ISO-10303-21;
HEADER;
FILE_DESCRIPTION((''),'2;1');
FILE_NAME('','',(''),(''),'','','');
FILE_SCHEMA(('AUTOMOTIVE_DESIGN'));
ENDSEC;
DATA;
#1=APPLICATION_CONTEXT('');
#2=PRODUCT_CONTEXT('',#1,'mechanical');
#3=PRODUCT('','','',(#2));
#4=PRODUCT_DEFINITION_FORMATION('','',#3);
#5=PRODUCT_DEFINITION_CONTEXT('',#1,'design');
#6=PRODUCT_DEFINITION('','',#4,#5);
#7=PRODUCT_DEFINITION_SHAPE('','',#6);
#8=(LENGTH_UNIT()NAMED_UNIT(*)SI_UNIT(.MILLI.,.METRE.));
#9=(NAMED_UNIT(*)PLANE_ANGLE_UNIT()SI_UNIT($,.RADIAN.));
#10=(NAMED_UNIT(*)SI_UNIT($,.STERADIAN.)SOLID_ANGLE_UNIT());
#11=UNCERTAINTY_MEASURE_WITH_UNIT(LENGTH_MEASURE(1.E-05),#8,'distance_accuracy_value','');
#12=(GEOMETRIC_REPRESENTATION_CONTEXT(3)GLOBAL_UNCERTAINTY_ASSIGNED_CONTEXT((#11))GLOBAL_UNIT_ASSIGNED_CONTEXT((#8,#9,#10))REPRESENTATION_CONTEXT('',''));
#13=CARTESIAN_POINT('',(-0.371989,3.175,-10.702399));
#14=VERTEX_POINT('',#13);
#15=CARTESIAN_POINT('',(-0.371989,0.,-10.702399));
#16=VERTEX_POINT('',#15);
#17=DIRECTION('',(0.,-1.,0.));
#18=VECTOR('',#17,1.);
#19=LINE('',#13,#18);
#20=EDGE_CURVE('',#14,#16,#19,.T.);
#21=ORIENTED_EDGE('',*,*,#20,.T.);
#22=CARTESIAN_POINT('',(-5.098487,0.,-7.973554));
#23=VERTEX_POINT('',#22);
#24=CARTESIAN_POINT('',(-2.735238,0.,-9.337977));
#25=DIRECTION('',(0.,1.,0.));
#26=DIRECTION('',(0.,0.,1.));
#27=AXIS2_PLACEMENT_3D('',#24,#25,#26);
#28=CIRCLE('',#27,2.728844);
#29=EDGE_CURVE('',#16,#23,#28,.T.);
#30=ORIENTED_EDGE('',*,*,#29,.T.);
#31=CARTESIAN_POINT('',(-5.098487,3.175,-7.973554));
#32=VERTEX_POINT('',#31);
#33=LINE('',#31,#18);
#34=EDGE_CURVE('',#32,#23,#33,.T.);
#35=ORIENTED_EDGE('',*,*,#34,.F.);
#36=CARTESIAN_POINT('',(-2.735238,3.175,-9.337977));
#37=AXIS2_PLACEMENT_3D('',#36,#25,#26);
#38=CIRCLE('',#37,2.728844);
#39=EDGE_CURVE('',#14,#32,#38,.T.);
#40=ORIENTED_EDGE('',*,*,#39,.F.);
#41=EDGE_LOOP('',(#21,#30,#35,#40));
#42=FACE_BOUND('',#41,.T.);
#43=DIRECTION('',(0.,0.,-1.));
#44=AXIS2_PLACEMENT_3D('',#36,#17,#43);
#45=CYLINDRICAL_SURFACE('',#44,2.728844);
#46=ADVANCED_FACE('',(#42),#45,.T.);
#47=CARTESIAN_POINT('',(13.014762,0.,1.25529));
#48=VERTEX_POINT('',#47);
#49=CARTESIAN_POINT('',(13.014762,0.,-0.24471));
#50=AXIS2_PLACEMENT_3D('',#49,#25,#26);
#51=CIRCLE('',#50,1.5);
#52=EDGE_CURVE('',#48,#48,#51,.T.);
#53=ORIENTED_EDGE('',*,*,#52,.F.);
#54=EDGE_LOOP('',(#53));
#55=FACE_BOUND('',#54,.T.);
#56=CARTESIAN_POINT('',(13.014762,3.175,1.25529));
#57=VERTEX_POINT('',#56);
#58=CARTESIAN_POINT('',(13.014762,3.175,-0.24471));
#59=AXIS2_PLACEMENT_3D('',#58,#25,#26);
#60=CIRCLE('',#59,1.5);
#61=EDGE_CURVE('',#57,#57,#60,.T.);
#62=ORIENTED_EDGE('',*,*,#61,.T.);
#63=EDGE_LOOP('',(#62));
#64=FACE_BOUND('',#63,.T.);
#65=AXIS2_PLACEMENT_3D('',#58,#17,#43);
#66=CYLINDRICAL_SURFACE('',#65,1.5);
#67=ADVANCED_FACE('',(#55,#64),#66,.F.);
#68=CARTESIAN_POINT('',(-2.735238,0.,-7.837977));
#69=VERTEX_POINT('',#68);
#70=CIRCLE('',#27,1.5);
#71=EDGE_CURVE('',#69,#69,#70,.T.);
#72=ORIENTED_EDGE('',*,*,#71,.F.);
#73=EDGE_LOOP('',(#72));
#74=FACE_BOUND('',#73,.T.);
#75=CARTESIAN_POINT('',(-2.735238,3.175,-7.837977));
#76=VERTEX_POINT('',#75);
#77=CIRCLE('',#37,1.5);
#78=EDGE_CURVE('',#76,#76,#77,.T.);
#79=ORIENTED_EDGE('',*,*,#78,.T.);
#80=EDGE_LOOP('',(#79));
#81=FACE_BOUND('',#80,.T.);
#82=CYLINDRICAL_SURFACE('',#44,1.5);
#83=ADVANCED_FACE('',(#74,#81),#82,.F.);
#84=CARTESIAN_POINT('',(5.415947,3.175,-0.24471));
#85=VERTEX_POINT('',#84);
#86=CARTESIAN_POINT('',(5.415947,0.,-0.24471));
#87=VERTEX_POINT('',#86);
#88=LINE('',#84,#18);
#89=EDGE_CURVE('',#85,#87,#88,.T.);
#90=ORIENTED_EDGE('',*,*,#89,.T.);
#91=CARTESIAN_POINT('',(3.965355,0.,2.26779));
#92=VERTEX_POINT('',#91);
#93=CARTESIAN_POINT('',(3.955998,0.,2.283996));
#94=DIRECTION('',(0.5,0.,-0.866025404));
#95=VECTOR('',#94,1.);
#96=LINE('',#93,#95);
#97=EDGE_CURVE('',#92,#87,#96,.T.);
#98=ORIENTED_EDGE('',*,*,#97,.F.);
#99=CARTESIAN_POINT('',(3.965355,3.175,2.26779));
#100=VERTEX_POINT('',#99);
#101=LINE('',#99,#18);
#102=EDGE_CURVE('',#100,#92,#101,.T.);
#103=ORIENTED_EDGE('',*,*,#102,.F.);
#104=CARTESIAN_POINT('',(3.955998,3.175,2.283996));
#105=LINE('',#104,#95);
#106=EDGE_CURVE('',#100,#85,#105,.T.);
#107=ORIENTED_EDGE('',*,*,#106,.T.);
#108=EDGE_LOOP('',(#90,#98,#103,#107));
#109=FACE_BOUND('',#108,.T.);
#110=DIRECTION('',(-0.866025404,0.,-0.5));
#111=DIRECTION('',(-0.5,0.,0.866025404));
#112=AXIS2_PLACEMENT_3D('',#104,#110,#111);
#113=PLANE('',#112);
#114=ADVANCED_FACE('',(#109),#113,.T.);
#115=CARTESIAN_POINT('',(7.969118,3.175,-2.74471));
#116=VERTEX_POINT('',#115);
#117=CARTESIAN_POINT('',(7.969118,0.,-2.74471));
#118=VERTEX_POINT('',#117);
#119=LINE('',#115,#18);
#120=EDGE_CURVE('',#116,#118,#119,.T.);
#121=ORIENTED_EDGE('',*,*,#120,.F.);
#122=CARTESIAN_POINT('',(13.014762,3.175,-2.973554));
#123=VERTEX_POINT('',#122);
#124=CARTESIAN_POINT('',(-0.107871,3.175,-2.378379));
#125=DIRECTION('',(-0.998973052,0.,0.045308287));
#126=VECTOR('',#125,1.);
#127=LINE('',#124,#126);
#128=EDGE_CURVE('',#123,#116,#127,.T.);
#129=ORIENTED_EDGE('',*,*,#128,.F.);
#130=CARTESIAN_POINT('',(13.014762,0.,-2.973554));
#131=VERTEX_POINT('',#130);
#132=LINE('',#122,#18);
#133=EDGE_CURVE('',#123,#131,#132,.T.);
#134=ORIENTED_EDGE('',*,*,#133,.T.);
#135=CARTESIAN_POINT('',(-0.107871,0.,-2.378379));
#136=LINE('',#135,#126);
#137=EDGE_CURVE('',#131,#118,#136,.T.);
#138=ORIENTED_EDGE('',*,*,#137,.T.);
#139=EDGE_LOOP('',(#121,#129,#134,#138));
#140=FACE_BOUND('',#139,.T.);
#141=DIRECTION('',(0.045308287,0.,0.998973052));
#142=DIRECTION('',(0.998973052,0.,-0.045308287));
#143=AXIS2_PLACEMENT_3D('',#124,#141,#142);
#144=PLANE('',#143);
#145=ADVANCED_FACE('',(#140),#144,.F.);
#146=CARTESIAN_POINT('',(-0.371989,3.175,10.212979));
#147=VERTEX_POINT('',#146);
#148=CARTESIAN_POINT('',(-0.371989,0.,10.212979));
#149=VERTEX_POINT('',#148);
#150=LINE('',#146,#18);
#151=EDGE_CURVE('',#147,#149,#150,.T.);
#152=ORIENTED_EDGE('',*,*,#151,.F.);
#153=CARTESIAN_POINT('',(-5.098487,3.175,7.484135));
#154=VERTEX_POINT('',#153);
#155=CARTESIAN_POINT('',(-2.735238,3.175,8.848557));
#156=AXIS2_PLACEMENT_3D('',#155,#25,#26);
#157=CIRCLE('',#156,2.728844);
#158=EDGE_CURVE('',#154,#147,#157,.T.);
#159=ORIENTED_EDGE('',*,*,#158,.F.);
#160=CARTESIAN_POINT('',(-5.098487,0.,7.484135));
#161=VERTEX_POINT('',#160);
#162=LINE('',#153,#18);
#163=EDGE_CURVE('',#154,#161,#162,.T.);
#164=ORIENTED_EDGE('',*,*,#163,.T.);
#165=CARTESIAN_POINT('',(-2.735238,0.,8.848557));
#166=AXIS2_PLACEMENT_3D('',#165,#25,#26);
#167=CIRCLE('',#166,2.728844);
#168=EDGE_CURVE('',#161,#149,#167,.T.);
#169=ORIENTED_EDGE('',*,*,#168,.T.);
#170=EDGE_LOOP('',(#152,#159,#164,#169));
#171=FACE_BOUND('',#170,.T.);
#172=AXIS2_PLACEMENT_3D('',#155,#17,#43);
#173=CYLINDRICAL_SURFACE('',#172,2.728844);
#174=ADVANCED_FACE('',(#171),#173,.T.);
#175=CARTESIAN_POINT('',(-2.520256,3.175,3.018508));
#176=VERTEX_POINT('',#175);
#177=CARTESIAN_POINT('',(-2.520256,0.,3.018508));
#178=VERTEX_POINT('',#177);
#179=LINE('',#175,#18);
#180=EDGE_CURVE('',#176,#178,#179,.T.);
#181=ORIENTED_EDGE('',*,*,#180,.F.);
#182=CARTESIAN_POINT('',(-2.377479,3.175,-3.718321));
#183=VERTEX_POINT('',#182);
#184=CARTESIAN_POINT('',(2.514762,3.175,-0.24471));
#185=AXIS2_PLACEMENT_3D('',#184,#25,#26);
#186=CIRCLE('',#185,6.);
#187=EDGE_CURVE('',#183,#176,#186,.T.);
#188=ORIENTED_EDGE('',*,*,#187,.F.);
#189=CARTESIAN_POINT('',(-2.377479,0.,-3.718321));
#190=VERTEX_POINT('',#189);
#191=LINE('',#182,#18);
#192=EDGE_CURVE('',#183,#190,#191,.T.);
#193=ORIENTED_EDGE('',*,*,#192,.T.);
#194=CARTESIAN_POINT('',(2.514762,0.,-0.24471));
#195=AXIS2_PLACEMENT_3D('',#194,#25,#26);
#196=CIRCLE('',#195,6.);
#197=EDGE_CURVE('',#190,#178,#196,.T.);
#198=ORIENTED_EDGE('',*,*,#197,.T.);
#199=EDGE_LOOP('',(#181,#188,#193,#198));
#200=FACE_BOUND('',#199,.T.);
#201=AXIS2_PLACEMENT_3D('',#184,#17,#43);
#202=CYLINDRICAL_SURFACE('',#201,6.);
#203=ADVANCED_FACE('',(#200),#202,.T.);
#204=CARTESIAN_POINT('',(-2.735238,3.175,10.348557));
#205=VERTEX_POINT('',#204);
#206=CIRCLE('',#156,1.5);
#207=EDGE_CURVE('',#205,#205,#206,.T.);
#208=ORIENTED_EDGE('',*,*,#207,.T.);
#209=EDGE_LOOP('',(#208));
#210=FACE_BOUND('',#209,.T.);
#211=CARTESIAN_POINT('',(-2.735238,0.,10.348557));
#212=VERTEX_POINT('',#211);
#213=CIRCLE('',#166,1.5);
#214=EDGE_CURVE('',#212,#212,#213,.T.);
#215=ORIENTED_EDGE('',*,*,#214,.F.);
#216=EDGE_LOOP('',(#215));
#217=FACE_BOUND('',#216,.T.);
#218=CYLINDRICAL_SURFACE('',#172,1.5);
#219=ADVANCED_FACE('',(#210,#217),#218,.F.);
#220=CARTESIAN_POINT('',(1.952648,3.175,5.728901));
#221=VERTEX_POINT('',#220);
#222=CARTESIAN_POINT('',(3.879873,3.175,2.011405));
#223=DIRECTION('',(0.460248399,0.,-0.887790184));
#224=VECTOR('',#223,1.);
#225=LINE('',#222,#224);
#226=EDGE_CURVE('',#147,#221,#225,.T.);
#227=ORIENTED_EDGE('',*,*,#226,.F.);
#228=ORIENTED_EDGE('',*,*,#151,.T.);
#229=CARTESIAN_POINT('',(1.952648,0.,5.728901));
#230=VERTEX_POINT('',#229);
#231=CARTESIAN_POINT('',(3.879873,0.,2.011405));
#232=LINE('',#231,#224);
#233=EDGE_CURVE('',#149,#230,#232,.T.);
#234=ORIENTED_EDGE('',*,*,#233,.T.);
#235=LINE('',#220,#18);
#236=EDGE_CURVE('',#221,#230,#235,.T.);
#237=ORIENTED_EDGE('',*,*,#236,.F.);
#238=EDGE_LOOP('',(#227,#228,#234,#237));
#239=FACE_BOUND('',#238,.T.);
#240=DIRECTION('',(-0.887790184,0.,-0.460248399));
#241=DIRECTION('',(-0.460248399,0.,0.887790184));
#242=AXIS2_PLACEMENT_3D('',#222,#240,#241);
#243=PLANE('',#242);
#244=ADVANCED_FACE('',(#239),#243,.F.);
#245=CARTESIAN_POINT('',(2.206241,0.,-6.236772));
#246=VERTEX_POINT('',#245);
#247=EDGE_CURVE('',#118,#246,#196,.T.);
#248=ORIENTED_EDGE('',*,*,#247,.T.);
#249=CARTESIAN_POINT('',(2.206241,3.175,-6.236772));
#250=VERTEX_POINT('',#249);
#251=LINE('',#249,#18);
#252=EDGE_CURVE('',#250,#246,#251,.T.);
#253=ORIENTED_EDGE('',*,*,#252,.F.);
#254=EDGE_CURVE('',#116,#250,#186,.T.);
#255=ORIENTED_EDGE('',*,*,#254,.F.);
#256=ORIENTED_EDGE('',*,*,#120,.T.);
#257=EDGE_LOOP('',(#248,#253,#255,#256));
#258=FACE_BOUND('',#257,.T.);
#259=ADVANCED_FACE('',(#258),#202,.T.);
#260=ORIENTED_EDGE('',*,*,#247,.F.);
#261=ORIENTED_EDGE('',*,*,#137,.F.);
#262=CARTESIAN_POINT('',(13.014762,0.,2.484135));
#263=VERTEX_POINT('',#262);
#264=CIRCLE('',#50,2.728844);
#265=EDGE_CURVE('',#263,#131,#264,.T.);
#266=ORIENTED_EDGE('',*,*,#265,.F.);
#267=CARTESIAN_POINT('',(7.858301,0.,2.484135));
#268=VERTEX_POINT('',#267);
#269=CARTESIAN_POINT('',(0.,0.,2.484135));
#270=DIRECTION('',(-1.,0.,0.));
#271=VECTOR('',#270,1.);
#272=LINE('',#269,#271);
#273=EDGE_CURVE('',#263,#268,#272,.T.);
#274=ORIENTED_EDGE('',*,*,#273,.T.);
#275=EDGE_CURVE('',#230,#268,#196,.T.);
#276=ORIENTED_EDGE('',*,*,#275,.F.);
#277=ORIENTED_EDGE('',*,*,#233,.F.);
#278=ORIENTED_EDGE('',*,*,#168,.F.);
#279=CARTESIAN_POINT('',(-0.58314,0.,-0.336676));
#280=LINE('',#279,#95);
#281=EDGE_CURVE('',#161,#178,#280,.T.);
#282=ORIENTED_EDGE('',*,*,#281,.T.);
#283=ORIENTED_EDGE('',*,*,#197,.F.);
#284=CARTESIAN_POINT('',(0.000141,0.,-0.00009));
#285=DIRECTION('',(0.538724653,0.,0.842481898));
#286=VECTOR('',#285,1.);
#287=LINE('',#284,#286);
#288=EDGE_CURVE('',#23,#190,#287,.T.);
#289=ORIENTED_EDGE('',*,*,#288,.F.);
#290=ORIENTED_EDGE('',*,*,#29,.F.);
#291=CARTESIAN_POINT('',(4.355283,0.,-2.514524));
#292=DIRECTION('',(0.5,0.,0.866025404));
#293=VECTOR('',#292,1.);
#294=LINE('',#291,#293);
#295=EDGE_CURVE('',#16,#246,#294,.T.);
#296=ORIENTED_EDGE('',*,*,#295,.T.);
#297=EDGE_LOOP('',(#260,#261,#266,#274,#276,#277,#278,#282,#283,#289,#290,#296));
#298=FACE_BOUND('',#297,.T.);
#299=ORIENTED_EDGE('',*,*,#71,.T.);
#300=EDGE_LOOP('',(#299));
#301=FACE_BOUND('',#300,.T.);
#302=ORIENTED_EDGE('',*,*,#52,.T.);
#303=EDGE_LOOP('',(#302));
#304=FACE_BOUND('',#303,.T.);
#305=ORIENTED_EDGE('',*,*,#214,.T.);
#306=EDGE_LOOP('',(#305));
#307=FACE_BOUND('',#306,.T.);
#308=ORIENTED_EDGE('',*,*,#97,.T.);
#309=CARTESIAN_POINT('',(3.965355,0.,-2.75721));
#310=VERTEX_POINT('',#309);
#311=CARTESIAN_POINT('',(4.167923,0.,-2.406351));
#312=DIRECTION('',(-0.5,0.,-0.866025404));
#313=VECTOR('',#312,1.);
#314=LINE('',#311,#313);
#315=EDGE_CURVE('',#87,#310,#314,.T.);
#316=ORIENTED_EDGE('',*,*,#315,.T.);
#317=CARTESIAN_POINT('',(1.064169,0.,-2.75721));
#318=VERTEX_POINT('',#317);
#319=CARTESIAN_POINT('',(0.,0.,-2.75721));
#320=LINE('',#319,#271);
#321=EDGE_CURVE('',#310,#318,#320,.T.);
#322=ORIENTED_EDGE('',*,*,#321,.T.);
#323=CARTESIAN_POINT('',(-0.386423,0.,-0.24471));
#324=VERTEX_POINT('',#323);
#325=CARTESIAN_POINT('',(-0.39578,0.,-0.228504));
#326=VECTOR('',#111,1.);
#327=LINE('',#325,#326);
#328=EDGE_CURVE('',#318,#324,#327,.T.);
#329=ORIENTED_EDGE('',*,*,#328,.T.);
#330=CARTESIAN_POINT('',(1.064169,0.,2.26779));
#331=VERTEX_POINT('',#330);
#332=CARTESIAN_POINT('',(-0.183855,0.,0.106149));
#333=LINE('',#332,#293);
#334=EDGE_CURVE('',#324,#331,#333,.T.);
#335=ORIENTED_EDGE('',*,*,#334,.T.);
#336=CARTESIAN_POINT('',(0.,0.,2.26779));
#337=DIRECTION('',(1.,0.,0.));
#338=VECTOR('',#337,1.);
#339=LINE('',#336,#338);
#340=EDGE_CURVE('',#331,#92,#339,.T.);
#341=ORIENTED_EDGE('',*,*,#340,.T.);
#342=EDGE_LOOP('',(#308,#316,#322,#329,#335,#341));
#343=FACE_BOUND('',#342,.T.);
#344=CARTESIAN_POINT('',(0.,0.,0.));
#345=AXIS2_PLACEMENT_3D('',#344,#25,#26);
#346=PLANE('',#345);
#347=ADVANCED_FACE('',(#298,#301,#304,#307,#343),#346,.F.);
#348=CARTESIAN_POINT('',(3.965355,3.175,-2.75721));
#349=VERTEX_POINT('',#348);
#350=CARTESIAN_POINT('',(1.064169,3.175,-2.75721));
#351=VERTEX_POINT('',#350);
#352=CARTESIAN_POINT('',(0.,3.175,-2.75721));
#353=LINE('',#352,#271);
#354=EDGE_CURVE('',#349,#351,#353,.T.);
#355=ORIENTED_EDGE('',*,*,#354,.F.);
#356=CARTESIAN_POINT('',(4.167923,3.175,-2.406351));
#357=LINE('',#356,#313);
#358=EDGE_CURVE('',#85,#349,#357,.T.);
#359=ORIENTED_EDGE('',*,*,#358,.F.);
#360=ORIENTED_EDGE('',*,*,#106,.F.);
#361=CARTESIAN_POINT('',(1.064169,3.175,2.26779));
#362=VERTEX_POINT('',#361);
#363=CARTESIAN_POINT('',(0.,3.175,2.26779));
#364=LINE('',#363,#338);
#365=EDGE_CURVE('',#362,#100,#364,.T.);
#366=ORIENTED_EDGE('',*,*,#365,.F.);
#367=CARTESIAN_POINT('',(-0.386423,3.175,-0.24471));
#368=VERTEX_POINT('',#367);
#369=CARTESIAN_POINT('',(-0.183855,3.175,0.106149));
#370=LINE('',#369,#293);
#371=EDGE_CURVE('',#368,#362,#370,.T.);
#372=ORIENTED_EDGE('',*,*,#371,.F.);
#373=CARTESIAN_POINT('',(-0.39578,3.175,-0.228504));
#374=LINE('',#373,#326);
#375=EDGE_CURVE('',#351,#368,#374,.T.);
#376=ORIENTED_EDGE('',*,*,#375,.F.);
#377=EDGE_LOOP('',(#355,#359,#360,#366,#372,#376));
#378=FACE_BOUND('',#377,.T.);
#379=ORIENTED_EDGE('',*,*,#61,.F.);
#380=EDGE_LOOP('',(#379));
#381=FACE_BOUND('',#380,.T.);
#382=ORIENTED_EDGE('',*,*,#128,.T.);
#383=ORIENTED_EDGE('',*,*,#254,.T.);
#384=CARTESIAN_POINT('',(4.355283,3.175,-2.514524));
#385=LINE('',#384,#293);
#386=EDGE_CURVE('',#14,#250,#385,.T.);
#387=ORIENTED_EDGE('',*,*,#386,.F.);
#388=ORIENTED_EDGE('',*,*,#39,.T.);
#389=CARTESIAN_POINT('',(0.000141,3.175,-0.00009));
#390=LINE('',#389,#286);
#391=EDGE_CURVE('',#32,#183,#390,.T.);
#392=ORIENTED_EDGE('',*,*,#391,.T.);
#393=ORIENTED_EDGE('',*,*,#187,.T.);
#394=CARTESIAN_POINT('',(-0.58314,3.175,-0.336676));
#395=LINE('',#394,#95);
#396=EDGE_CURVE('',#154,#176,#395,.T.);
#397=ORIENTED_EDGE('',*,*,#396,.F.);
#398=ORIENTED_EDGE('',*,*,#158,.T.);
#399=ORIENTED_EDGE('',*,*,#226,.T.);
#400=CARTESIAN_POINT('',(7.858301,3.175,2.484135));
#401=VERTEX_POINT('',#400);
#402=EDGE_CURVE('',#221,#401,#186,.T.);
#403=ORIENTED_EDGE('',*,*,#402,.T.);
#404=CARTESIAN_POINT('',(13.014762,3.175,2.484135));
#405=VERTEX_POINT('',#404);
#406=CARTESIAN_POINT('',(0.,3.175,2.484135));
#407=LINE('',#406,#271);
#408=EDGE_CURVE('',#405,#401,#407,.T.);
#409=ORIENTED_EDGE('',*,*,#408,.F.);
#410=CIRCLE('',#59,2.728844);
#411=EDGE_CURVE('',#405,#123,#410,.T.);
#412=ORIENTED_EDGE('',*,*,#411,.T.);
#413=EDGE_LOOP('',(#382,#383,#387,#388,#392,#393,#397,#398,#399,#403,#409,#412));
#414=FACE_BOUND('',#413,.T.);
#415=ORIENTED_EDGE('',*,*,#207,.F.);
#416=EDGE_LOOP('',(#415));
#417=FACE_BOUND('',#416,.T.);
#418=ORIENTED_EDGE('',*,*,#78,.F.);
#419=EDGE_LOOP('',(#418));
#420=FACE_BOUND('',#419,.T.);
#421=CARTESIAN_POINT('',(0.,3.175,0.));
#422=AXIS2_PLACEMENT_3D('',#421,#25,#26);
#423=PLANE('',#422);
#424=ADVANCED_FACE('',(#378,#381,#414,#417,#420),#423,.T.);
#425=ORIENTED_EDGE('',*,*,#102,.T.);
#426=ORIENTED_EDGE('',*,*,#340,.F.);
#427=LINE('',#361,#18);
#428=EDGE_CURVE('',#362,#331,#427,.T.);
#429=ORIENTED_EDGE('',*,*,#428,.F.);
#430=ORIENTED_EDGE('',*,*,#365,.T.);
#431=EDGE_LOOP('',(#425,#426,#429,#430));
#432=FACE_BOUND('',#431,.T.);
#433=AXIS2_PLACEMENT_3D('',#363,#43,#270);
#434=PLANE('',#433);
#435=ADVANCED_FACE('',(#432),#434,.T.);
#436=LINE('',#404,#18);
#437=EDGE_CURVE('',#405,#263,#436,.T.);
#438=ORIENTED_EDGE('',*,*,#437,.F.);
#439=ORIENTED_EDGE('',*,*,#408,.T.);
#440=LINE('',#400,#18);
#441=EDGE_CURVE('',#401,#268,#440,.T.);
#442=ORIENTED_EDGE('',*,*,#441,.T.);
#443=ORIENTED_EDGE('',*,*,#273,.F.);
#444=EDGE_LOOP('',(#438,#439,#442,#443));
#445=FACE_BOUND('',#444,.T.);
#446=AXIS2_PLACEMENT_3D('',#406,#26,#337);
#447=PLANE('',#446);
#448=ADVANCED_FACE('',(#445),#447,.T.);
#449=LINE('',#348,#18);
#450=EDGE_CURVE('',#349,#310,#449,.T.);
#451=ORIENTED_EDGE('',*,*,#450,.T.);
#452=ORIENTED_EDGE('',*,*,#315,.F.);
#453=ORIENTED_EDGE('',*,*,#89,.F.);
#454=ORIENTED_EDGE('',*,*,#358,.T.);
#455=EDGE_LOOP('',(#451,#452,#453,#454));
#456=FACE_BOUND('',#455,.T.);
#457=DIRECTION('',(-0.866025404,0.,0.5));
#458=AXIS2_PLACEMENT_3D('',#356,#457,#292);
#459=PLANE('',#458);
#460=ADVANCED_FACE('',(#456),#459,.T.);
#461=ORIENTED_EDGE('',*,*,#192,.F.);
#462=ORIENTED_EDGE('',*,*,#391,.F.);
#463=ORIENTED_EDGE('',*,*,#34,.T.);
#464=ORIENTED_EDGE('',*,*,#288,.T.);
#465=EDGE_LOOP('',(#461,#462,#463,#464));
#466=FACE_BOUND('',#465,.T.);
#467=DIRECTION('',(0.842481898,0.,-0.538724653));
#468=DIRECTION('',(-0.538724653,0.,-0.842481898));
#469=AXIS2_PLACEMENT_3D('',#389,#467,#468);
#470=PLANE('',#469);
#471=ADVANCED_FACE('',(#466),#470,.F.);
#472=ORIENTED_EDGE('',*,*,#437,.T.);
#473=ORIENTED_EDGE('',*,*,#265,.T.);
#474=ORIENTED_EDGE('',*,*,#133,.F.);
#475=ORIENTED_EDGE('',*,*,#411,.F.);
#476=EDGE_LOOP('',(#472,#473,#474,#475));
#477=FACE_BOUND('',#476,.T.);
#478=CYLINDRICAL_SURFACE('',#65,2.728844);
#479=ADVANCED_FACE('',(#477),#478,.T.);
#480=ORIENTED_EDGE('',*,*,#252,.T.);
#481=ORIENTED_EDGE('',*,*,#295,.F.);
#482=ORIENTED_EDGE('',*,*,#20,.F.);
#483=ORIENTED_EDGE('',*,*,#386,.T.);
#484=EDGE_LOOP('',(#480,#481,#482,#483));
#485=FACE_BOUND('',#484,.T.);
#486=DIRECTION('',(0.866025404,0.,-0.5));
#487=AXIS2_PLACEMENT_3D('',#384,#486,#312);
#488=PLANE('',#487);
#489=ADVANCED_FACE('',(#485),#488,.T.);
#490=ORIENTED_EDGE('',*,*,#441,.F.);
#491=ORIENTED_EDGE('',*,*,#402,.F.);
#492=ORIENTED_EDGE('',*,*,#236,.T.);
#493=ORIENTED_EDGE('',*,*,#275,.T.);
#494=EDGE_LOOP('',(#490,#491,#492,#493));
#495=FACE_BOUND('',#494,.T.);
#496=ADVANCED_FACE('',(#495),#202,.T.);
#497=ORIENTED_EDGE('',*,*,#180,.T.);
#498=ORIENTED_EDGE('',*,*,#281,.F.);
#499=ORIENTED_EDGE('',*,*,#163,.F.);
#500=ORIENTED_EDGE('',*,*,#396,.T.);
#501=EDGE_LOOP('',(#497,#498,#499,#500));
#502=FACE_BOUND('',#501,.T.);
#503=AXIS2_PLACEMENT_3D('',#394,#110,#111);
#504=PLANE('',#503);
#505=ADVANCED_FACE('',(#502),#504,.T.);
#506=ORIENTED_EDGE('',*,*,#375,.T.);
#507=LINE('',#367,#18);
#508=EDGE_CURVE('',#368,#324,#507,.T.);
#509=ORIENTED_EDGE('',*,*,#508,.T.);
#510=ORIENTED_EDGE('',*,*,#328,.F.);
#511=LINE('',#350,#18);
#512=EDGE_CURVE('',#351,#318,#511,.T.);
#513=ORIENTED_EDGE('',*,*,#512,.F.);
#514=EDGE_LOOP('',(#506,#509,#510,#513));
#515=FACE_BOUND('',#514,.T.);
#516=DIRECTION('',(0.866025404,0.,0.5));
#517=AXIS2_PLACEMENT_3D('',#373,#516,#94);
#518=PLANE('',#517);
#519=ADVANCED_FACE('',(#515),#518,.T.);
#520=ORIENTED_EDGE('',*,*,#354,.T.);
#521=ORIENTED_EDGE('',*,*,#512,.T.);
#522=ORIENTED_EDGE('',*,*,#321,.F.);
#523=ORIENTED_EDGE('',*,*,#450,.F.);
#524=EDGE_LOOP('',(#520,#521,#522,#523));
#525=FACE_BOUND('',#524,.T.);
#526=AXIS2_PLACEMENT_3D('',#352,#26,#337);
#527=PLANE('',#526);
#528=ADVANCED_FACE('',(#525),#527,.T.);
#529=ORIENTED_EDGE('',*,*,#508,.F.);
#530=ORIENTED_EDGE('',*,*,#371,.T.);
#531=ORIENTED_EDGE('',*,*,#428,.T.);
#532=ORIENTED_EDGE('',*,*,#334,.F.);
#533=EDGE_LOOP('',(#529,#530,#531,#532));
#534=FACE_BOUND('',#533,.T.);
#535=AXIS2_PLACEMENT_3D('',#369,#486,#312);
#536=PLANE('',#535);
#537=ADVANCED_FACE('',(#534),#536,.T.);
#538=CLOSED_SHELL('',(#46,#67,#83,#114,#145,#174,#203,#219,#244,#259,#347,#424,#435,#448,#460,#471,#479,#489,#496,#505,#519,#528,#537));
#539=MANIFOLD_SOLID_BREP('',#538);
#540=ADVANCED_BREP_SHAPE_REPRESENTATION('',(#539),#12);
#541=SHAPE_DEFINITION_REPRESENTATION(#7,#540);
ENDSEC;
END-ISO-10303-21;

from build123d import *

# Parameters (mm, degrees)
SKETCH1_R           = 1.5
BOSS_EXTRUDE1_DEPTH = 3.175


with BuildPart() as part:
    # Sketch1 → Boss-Extrude1 (new body)
    with BuildSketch(Plane(origin=(0, 0, 0), x_dir=(1, 0, 0), z_dir=(0, 1, 0))):
        with BuildLine():
            Line((7.858300919, -2.484134681), (13.014762042, -2.484134681))
            ThreePointArc((13.014762042, -2.484134681), (15.743606535, 0.244709812), (13.014762042, 2.973554305))
            Line((13.014762042, 2.973554305), (7.969118099, 2.744709812))
            ThreePointArc((7.969118099, 2.744709812), (5.624188125, 5.376129638), (2.206241257, 6.236772472))
            Line((2.206241257, 6.236772472), (-0.371989304, 10.702398798))
            ThreePointArc((-0.371989304, 10.702398798), (-4.099660205, 11.701225206), (-5.098486612, 7.973554305))
            Line((-5.098486612, 7.973554305), (-2.377479496, 3.718320719))
            ThreePointArc((-2.377479496, 3.718320719), (-3.483890927, 0.371841879), (-2.520256051, -3.018508355))
            Line((-2.520256051, -3.018508355), (-5.098486612, -7.484134681))
            ThreePointArc((-5.098486612, -7.484134681), (-4.099660205, -11.211805582), (-0.371989304, -10.212979174))
            Line((-0.371989304, -10.212979174), (1.952647522, -5.728901095))
            ThreePointArc((1.952647522, -5.728901095), (5.403988927, -5.013842081), (7.858300919, -2.484134681))
        make_face()
        Polygon((3.965354593, 2.757209812), (5.415947144, 0.244709812), (3.965354593, -2.267790188), (1.06416949, -2.267790188), (-0.386423061, 0.244709812), (1.06416949, 2.757209812), align=None, mode=Mode.SUBTRACT)
        with Locations(Location((13.014762042, 0.244709812, 0), (0, 0, 270))):
            Circle(SKETCH1_R, mode=Mode.SUBTRACT)
        with Locations(Location((-2.735237958, 9.337976552, 0), (0, 0, 270))):
            Circle(SKETCH1_R, mode=Mode.SUBTRACT)
        with Locations(Location((-2.735237958, -8.848556928, 0), (0, 0, 270))):
            Circle(SKETCH1_R, mode=Mode.SUBTRACT)
    extrude(amount=BOSS_EXTRUDE1_DEPTH)


solid = part.part
